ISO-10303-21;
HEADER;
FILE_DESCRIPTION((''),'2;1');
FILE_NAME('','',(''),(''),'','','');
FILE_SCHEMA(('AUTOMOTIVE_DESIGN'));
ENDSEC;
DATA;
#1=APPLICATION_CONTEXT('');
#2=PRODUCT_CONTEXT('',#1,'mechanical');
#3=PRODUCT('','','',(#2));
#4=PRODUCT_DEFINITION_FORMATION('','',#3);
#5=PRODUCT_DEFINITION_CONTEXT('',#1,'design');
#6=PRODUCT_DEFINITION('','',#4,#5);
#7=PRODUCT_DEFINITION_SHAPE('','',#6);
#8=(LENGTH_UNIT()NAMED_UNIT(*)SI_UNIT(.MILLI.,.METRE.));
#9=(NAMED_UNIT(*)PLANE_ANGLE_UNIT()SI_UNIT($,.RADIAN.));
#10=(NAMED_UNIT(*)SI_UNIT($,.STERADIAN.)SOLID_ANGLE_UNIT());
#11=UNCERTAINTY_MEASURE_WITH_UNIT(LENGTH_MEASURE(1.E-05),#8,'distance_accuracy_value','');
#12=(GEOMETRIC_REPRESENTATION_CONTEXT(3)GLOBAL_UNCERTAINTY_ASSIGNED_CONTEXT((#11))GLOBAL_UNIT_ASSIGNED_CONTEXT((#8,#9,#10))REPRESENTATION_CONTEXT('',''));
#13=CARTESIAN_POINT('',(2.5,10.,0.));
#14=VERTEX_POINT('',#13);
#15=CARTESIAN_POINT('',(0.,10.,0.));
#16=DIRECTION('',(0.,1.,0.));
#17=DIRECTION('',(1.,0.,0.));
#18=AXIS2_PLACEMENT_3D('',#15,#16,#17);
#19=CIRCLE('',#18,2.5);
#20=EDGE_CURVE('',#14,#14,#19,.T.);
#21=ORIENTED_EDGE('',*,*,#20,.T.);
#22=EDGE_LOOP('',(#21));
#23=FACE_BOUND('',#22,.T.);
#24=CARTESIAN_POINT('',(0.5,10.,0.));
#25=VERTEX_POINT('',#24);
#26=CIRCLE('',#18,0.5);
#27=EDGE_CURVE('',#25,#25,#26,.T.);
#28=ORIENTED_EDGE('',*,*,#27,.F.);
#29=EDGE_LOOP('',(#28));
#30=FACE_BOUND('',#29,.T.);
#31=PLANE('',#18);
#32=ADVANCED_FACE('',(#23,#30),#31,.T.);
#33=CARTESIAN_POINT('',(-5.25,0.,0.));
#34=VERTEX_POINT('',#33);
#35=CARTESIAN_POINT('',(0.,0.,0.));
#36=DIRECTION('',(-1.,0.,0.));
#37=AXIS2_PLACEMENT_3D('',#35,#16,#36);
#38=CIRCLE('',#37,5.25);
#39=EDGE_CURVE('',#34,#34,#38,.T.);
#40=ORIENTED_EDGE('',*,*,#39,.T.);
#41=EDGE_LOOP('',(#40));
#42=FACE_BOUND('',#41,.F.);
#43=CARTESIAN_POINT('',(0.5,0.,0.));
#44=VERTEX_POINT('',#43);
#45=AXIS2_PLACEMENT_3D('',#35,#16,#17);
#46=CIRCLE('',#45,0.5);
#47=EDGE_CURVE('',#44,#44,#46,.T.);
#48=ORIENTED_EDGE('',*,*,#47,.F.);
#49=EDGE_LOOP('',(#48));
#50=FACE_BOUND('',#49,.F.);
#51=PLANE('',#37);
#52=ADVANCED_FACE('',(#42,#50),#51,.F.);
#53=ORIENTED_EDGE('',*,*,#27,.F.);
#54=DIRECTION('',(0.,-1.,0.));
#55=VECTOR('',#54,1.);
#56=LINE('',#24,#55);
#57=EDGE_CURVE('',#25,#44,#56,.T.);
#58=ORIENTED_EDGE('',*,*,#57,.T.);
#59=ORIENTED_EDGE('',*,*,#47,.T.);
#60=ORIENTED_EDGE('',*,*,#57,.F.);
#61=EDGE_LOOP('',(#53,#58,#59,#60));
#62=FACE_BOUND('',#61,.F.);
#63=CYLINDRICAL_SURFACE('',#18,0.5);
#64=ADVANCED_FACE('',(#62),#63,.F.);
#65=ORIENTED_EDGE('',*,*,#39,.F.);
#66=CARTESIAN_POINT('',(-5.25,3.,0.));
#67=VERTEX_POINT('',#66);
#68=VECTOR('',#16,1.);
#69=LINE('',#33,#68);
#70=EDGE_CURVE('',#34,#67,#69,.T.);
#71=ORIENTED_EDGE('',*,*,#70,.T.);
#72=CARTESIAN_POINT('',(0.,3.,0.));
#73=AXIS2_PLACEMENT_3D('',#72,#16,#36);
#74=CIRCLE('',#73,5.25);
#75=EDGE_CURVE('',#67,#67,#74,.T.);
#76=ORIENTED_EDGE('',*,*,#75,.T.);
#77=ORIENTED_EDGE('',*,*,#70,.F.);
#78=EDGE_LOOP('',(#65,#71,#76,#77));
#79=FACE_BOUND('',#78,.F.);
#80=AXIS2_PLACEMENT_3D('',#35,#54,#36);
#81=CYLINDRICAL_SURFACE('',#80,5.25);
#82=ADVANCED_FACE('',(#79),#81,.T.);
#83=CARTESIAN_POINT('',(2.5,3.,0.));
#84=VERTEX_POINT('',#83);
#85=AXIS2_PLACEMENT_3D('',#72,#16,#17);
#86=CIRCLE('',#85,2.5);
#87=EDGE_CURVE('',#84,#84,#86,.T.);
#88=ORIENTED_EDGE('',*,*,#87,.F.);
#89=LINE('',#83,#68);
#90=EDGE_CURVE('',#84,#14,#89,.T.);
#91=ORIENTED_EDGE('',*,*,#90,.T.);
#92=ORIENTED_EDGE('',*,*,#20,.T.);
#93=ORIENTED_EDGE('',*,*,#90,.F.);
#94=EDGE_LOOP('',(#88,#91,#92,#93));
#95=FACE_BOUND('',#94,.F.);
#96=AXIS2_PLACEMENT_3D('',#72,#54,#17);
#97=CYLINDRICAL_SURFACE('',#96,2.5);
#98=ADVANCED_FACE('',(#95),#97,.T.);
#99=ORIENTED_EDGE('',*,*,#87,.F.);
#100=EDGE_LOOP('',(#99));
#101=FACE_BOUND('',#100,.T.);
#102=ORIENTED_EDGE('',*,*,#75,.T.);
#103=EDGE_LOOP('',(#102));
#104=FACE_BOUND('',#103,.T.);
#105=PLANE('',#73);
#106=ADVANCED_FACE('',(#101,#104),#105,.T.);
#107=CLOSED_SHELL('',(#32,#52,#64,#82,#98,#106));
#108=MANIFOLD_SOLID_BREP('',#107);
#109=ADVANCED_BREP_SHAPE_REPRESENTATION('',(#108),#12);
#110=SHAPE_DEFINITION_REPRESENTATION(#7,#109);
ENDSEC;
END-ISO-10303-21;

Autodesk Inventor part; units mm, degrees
ref_plane "YZ Plane" through (0, 0, 0) normal (1, 0, 0) x (0, 1, 0)
ref_plane "XZ Plane" through (0, 0, 0) normal (0, 1, 0) x (-1, 0, 0)
ref_plane "XY Plane" through (0, 0, 0) normal (0, 0, 1) x (1, 0, 0)
sketch "スケッチ1" plane through (0, 0, 0) normal (0, 1, 0) x (-1, 0, 0)
  circle A0 centre (0, 0) radius 5.25
  dimension "d0" = 10.5
extrude "押し出し1" add sketch "スケッチ1" along normal blind 3
sketch "スケッチ2" plane through (0, 3, 0) normal (0, 1, 0) x (1, 0, 0)
  circle A0 centre (0, 0) radius 2.5
  dimension "d3" = 5
extrude "押し出し2" add sketch "スケッチ2" along normal blind 7
sketch "スケッチ3" plane through (0, 10, 0) normal (0, 1, 0) x (1, 0, 0)
  circle A0 centre (0, 0) radius 2.5 projected
  circle A1 centre (0, 0) radius 0.5
  dimension "d6" = 1
extrude "押し出し3" cut sketch "スケッチ3" against normal through all contours A1
properties part number "gear_tamiya_m0.5_10T_21T"
